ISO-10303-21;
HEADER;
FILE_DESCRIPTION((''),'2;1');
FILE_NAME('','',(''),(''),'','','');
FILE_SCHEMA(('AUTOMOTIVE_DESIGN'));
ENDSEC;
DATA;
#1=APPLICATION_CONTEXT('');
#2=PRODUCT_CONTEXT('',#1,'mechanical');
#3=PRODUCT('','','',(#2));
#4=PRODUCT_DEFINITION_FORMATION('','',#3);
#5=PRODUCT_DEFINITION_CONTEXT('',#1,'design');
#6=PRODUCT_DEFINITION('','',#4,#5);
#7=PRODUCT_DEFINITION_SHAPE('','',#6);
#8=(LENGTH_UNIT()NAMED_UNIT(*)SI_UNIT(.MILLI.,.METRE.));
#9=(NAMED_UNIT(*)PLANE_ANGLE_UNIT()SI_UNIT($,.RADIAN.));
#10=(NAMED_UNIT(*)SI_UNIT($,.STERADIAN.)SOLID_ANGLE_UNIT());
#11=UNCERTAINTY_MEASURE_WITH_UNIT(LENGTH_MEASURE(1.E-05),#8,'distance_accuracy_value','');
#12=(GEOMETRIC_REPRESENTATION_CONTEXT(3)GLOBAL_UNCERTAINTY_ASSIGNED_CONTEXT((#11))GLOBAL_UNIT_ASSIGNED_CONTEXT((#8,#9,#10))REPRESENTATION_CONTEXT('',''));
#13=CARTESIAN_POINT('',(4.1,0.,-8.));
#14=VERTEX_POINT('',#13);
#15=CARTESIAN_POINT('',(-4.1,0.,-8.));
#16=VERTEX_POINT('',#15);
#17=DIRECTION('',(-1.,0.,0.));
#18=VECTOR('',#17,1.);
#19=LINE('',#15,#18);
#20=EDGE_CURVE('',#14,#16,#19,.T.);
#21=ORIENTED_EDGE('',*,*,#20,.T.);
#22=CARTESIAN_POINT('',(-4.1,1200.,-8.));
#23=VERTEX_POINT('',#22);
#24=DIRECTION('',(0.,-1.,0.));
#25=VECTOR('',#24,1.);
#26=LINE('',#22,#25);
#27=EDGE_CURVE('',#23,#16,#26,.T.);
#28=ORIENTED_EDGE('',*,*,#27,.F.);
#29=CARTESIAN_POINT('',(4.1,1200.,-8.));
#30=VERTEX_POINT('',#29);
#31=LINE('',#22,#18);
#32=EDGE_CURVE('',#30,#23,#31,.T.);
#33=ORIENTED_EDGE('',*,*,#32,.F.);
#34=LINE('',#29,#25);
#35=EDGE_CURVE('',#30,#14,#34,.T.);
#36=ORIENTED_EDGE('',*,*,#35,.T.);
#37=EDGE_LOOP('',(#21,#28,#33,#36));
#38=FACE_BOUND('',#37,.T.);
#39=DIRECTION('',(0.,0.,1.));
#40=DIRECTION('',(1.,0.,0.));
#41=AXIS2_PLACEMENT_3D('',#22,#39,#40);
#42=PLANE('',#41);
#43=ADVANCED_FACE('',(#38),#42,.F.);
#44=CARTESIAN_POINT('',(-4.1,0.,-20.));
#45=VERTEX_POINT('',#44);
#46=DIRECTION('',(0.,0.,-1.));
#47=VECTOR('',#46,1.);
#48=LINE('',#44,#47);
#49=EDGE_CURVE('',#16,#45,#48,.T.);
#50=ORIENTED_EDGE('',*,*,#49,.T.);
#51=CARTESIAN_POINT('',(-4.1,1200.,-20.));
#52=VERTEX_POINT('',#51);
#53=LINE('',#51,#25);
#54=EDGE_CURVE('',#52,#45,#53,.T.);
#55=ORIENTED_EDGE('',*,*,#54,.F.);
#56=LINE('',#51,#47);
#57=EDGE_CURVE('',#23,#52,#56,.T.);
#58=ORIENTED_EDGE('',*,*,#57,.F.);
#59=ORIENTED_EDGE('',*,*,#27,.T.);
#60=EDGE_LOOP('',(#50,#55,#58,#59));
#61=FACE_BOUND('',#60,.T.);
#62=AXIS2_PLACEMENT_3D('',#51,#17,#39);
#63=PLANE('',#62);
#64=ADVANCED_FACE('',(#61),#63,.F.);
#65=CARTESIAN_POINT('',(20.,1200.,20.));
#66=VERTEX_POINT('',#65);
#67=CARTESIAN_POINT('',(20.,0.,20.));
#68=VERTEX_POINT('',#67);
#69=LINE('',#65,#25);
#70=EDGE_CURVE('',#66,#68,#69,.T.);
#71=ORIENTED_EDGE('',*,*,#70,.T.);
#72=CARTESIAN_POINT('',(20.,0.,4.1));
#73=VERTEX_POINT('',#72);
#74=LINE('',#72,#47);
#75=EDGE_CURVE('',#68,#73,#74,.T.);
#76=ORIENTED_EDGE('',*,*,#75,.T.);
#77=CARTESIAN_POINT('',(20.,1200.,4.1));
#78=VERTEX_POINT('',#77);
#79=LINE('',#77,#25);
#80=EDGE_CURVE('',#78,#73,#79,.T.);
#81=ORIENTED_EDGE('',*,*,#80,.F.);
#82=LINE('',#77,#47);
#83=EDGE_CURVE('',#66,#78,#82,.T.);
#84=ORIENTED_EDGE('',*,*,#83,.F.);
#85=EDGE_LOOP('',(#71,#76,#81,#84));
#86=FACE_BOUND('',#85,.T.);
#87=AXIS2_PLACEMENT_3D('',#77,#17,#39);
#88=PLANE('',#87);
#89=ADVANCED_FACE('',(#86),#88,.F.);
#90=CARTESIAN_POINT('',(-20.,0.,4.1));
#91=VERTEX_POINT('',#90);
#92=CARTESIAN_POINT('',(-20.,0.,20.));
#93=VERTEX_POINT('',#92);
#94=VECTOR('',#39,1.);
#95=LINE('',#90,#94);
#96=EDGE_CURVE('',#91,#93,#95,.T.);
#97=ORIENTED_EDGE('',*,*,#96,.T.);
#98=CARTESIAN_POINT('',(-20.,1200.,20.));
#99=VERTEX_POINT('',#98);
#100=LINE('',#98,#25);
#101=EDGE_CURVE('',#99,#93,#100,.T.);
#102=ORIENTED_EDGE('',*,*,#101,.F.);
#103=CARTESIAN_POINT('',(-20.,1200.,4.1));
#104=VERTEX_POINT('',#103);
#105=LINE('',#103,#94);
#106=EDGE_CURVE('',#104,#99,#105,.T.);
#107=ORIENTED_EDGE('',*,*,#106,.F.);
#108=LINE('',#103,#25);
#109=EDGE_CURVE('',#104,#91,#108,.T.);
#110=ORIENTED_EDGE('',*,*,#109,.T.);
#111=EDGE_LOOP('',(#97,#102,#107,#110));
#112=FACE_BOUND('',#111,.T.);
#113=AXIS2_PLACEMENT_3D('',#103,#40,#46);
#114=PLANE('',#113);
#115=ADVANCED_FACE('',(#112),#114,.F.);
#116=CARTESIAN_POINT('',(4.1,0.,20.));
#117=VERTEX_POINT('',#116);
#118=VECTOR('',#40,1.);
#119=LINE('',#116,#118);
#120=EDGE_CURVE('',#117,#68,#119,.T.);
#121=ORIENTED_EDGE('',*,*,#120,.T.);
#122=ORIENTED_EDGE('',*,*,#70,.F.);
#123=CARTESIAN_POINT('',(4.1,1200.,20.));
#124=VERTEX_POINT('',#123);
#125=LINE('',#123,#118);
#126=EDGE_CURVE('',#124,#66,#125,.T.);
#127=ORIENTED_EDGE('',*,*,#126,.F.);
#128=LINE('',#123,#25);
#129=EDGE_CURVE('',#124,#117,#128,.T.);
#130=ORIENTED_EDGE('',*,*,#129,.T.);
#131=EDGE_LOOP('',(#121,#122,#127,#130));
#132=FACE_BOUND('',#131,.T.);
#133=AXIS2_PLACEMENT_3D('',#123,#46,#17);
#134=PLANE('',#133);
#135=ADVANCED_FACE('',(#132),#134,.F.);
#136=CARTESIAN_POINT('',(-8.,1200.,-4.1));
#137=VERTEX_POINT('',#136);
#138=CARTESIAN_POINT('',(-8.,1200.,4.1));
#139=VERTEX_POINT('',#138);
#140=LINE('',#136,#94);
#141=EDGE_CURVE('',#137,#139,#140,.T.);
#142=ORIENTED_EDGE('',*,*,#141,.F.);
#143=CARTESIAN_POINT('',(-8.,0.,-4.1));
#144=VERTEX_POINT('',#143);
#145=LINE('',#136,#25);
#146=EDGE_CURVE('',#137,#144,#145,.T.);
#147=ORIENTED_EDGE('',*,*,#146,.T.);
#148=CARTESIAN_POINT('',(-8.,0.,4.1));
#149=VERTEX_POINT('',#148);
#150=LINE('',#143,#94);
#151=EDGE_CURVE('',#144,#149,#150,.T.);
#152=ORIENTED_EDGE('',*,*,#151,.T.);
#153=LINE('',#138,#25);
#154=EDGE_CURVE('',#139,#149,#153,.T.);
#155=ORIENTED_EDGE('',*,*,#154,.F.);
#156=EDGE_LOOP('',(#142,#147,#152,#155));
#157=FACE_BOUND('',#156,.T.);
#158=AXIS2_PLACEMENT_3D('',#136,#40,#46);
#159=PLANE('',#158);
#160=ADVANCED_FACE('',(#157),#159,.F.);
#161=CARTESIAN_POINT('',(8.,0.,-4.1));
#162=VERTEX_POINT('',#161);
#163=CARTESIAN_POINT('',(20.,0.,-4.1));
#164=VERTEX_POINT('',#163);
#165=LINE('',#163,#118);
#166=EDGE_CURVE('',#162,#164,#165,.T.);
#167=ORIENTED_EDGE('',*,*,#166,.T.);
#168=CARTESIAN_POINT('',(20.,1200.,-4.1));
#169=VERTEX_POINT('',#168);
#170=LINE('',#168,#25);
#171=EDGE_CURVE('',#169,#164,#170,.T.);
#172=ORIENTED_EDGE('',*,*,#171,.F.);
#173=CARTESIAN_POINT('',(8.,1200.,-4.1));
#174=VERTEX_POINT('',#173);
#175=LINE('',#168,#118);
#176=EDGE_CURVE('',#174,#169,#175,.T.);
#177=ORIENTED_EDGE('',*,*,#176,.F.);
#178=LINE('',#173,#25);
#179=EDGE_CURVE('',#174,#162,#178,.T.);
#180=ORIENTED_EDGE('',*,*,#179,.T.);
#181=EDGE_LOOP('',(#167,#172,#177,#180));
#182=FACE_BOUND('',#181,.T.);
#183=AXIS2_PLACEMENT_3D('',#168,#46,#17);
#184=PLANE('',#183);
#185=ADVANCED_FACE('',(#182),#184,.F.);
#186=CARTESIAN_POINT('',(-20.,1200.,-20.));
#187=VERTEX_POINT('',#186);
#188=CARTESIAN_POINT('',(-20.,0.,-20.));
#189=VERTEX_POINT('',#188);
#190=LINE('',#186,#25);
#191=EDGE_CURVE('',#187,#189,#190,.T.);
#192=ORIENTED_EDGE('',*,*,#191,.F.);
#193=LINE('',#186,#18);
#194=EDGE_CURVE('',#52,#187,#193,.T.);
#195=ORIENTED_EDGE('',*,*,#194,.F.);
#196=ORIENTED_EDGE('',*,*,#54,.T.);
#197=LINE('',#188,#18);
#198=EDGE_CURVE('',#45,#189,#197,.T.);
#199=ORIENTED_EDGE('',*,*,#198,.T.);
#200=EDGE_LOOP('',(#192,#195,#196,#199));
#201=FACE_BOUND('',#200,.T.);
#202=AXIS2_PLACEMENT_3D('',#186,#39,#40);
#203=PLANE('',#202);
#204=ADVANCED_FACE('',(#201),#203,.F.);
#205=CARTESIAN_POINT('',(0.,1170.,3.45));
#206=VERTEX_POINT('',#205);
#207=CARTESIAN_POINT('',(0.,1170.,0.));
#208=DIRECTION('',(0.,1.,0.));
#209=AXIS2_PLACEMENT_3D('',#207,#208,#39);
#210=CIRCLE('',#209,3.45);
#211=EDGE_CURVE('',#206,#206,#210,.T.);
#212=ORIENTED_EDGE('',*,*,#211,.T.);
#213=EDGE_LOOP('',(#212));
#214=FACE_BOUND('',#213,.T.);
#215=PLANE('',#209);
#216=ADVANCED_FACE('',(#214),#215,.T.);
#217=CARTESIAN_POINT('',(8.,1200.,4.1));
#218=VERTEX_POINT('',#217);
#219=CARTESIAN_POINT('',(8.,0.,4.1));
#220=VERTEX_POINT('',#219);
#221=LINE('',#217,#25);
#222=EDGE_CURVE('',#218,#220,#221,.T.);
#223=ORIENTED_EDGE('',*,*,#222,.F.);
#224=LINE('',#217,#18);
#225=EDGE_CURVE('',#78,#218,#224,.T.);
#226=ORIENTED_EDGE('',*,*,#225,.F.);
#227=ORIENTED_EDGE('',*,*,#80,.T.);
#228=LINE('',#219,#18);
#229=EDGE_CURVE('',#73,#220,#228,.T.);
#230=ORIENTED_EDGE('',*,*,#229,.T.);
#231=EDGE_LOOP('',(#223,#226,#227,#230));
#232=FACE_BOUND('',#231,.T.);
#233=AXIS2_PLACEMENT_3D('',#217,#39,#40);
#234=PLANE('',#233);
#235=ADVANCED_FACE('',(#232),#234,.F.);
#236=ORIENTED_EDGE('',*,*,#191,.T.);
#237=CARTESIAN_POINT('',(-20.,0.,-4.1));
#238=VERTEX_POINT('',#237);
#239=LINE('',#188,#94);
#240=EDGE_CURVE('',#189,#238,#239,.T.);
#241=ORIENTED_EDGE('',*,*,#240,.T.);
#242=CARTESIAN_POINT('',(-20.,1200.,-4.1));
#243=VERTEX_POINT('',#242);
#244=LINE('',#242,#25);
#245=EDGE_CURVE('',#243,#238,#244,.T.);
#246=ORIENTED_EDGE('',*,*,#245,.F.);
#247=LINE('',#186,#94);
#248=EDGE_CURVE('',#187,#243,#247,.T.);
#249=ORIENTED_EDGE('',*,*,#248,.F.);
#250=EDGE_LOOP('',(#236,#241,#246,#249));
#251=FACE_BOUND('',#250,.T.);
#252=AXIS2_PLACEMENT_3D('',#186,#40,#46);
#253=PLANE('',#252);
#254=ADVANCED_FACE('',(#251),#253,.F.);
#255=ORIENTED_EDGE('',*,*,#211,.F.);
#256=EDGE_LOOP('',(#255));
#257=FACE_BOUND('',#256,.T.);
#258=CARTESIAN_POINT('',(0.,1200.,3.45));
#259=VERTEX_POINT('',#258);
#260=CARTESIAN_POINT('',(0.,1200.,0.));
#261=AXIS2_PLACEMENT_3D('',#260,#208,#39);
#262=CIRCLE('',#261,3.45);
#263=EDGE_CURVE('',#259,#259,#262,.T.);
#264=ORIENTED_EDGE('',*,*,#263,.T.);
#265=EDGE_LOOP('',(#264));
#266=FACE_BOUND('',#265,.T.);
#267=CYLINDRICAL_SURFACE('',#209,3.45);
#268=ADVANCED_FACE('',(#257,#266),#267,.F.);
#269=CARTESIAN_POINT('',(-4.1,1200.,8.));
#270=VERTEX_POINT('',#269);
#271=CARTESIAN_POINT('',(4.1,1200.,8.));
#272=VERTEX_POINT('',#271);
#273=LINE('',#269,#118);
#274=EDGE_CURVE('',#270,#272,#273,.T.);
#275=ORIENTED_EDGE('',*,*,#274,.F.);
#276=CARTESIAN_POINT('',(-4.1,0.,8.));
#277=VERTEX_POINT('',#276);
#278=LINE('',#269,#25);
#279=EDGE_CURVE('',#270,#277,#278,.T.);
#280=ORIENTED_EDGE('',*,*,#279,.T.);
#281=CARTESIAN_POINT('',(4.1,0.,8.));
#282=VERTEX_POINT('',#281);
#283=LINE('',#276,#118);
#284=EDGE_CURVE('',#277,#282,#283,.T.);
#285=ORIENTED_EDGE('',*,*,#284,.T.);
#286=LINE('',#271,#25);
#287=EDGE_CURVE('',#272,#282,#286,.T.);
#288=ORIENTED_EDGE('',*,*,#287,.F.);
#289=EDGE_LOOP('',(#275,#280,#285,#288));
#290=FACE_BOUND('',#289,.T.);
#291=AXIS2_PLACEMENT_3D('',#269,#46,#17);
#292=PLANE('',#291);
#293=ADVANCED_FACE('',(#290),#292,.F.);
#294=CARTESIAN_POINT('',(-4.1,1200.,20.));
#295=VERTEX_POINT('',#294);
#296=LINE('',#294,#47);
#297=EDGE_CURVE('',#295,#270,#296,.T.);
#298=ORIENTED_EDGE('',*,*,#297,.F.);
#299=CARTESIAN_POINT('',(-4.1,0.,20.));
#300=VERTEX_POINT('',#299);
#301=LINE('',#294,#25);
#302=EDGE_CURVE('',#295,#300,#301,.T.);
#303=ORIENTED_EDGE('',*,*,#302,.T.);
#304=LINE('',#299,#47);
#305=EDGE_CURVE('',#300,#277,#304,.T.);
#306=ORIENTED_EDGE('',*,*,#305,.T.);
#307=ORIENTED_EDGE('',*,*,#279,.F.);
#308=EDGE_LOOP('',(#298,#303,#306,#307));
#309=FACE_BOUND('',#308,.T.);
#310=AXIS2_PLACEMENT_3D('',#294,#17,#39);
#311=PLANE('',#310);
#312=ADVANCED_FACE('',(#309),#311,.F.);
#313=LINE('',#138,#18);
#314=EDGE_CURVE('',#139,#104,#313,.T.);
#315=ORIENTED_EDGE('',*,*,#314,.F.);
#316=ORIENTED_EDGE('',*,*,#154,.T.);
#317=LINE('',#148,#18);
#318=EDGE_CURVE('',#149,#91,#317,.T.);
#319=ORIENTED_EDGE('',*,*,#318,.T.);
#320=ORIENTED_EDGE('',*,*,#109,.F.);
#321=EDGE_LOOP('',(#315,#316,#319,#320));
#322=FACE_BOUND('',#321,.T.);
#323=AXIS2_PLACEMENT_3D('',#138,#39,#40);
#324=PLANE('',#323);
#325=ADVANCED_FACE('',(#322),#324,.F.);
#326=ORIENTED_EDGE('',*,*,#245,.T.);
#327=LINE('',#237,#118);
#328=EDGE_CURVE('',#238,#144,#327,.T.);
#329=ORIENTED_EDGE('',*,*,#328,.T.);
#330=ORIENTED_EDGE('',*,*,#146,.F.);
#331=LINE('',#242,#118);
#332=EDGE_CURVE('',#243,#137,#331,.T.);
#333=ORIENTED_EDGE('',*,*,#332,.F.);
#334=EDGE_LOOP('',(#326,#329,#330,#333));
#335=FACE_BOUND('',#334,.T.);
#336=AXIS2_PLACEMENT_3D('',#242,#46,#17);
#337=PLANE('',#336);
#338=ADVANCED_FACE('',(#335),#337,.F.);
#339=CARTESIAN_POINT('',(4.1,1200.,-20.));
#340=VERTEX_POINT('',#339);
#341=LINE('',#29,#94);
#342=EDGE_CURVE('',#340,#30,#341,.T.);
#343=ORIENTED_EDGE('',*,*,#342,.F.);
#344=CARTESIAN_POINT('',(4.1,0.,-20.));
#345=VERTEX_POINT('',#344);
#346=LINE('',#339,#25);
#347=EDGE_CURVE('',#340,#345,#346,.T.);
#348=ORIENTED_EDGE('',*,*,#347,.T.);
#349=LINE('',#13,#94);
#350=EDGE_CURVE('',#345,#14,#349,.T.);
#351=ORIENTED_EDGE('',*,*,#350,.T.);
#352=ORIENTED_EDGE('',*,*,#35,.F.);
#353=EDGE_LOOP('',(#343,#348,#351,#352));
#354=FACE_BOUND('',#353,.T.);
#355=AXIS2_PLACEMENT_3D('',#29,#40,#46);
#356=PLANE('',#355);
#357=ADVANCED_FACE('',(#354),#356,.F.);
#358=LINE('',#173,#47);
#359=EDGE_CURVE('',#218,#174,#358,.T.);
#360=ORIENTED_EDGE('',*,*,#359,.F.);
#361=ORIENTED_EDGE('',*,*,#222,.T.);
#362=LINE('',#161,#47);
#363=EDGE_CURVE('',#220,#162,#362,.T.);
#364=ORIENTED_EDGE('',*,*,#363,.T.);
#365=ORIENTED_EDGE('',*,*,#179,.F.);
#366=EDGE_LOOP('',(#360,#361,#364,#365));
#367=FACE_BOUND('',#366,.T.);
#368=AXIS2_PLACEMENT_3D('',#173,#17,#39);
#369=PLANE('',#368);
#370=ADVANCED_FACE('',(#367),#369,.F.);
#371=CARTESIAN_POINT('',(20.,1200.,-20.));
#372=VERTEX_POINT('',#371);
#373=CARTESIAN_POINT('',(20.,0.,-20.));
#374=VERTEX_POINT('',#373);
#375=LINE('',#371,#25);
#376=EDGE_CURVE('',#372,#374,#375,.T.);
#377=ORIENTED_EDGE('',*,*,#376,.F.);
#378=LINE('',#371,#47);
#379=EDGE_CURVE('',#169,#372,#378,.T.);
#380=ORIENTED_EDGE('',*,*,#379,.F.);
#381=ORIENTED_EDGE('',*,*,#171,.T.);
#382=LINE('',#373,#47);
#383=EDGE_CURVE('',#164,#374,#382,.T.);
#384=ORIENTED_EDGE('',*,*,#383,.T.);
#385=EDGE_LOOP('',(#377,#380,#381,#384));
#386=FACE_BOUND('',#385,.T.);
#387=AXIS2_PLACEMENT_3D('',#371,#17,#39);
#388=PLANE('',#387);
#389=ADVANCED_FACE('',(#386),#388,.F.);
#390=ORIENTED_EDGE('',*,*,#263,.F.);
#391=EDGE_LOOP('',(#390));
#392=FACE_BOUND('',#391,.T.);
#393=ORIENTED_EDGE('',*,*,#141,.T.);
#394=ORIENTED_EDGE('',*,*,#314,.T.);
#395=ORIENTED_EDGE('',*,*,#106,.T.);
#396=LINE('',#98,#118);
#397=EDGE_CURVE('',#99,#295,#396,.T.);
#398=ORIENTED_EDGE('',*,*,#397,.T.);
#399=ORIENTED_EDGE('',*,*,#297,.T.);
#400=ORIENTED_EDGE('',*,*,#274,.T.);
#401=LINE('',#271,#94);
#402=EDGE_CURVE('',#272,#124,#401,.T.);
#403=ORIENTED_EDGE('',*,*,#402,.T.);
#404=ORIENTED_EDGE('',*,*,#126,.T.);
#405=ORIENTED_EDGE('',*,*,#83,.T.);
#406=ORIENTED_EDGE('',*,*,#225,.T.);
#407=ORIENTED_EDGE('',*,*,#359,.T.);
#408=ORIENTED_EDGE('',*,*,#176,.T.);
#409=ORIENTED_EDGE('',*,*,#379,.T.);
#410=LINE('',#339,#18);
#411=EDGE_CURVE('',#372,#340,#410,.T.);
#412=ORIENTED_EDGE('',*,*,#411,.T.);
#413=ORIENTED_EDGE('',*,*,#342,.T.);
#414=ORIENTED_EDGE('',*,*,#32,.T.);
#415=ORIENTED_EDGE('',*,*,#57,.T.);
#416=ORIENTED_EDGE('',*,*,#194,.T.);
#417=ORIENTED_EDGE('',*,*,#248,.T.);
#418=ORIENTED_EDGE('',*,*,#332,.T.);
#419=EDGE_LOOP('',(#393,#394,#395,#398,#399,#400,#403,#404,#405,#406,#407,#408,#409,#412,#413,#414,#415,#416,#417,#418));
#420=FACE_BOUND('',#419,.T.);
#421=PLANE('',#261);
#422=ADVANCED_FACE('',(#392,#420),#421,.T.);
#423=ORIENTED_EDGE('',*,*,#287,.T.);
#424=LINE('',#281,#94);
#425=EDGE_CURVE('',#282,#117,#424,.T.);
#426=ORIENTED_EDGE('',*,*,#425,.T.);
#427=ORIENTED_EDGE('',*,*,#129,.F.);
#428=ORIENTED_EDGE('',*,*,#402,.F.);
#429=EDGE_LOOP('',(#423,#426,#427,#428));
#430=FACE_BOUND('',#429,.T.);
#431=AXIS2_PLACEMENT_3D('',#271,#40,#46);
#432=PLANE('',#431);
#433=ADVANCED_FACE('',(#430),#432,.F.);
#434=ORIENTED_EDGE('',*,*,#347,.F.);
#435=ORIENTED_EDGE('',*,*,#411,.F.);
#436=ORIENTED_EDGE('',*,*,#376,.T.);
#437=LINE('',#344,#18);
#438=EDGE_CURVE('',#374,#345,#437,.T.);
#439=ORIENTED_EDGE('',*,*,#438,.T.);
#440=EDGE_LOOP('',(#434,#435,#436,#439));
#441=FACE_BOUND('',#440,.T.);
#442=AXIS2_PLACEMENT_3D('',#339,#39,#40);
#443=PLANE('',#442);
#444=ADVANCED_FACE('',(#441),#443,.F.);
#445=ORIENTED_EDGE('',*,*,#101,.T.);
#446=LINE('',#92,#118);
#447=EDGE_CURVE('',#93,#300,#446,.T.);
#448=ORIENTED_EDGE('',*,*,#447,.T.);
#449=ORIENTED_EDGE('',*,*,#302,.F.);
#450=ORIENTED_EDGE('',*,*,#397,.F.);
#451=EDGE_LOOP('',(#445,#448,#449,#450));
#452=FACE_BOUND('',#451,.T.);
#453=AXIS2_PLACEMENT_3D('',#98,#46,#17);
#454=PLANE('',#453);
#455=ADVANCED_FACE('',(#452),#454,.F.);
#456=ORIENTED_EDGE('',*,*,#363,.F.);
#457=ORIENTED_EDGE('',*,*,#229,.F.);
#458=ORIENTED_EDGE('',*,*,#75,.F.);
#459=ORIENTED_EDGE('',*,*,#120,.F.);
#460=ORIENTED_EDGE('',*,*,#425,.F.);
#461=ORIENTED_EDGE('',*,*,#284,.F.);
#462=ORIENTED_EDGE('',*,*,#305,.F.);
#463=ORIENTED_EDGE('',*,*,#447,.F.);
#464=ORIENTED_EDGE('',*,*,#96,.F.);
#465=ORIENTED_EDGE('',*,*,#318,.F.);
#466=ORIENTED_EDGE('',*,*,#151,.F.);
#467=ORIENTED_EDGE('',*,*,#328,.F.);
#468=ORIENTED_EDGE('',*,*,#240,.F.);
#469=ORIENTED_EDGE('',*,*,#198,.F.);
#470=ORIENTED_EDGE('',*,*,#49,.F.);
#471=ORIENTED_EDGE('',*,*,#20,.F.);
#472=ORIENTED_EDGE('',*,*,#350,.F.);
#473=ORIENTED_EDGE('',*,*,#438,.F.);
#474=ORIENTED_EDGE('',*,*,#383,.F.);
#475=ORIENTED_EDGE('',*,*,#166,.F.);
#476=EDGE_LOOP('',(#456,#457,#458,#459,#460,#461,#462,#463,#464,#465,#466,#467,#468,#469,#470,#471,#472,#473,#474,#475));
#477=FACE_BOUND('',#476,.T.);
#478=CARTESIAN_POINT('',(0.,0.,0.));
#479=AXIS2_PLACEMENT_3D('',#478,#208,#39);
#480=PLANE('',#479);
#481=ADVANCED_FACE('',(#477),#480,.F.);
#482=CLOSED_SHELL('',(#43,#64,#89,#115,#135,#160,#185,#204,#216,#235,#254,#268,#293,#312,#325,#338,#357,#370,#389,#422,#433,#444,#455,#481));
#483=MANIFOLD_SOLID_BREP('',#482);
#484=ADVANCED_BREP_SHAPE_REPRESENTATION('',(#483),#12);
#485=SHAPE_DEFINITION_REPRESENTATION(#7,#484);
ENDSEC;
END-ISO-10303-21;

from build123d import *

# Parameters (mm, degrees)
AUFSATZ_LINEAR_AUSTRAGEN1_DEPTH = 1200
SKIZZE2_R                       = 3.45
SCHNITT_LINEAR_AUSTRAGEN1_DEPTH = 30


with BuildPart() as part:
    # Skizze1 → Aufsatz-Linear austragen1 (new body)
    with BuildSketch(Plane(origin=(0, 0, 0), x_dir=(1, 0, 0), z_dir=(0, 1, 0))):
        Polygon((-4.1, -20), (-4.1, -8), (4.1, -8), (4.1, -20), (20, -20), (20, -4.1), (8, -4.1), (8, 4.1), (20, 4.1), (20, 20), (4.1, 20), (4.1, 8), (-4.1, 8), (-4.1, 20), (-20, 20), (-20, 4.1), (-8, 4.1), (-8, -4.1), (-20, -4.1), (-20, -20), align=None)
    extrude(amount=AUFSATZ_LINEAR_AUSTRAGEN1_DEPTH)

    # Skizze2 → Schnitt-Linear austragen1 (cut)
    with BuildSketch(Plane(origin=(0, 1200, 0), x_dir=(1, 0, 0), z_dir=(0, 1, 0))):
        with Locations(Location((0, 0, 0), (0, 0, 270))):
            Circle(SKIZZE2_R)
    extrude(amount=-SCHNITT_LINEAR_AUSTRAGEN1_DEPTH, mode=Mode.SUBTRACT)


solid = part.part
